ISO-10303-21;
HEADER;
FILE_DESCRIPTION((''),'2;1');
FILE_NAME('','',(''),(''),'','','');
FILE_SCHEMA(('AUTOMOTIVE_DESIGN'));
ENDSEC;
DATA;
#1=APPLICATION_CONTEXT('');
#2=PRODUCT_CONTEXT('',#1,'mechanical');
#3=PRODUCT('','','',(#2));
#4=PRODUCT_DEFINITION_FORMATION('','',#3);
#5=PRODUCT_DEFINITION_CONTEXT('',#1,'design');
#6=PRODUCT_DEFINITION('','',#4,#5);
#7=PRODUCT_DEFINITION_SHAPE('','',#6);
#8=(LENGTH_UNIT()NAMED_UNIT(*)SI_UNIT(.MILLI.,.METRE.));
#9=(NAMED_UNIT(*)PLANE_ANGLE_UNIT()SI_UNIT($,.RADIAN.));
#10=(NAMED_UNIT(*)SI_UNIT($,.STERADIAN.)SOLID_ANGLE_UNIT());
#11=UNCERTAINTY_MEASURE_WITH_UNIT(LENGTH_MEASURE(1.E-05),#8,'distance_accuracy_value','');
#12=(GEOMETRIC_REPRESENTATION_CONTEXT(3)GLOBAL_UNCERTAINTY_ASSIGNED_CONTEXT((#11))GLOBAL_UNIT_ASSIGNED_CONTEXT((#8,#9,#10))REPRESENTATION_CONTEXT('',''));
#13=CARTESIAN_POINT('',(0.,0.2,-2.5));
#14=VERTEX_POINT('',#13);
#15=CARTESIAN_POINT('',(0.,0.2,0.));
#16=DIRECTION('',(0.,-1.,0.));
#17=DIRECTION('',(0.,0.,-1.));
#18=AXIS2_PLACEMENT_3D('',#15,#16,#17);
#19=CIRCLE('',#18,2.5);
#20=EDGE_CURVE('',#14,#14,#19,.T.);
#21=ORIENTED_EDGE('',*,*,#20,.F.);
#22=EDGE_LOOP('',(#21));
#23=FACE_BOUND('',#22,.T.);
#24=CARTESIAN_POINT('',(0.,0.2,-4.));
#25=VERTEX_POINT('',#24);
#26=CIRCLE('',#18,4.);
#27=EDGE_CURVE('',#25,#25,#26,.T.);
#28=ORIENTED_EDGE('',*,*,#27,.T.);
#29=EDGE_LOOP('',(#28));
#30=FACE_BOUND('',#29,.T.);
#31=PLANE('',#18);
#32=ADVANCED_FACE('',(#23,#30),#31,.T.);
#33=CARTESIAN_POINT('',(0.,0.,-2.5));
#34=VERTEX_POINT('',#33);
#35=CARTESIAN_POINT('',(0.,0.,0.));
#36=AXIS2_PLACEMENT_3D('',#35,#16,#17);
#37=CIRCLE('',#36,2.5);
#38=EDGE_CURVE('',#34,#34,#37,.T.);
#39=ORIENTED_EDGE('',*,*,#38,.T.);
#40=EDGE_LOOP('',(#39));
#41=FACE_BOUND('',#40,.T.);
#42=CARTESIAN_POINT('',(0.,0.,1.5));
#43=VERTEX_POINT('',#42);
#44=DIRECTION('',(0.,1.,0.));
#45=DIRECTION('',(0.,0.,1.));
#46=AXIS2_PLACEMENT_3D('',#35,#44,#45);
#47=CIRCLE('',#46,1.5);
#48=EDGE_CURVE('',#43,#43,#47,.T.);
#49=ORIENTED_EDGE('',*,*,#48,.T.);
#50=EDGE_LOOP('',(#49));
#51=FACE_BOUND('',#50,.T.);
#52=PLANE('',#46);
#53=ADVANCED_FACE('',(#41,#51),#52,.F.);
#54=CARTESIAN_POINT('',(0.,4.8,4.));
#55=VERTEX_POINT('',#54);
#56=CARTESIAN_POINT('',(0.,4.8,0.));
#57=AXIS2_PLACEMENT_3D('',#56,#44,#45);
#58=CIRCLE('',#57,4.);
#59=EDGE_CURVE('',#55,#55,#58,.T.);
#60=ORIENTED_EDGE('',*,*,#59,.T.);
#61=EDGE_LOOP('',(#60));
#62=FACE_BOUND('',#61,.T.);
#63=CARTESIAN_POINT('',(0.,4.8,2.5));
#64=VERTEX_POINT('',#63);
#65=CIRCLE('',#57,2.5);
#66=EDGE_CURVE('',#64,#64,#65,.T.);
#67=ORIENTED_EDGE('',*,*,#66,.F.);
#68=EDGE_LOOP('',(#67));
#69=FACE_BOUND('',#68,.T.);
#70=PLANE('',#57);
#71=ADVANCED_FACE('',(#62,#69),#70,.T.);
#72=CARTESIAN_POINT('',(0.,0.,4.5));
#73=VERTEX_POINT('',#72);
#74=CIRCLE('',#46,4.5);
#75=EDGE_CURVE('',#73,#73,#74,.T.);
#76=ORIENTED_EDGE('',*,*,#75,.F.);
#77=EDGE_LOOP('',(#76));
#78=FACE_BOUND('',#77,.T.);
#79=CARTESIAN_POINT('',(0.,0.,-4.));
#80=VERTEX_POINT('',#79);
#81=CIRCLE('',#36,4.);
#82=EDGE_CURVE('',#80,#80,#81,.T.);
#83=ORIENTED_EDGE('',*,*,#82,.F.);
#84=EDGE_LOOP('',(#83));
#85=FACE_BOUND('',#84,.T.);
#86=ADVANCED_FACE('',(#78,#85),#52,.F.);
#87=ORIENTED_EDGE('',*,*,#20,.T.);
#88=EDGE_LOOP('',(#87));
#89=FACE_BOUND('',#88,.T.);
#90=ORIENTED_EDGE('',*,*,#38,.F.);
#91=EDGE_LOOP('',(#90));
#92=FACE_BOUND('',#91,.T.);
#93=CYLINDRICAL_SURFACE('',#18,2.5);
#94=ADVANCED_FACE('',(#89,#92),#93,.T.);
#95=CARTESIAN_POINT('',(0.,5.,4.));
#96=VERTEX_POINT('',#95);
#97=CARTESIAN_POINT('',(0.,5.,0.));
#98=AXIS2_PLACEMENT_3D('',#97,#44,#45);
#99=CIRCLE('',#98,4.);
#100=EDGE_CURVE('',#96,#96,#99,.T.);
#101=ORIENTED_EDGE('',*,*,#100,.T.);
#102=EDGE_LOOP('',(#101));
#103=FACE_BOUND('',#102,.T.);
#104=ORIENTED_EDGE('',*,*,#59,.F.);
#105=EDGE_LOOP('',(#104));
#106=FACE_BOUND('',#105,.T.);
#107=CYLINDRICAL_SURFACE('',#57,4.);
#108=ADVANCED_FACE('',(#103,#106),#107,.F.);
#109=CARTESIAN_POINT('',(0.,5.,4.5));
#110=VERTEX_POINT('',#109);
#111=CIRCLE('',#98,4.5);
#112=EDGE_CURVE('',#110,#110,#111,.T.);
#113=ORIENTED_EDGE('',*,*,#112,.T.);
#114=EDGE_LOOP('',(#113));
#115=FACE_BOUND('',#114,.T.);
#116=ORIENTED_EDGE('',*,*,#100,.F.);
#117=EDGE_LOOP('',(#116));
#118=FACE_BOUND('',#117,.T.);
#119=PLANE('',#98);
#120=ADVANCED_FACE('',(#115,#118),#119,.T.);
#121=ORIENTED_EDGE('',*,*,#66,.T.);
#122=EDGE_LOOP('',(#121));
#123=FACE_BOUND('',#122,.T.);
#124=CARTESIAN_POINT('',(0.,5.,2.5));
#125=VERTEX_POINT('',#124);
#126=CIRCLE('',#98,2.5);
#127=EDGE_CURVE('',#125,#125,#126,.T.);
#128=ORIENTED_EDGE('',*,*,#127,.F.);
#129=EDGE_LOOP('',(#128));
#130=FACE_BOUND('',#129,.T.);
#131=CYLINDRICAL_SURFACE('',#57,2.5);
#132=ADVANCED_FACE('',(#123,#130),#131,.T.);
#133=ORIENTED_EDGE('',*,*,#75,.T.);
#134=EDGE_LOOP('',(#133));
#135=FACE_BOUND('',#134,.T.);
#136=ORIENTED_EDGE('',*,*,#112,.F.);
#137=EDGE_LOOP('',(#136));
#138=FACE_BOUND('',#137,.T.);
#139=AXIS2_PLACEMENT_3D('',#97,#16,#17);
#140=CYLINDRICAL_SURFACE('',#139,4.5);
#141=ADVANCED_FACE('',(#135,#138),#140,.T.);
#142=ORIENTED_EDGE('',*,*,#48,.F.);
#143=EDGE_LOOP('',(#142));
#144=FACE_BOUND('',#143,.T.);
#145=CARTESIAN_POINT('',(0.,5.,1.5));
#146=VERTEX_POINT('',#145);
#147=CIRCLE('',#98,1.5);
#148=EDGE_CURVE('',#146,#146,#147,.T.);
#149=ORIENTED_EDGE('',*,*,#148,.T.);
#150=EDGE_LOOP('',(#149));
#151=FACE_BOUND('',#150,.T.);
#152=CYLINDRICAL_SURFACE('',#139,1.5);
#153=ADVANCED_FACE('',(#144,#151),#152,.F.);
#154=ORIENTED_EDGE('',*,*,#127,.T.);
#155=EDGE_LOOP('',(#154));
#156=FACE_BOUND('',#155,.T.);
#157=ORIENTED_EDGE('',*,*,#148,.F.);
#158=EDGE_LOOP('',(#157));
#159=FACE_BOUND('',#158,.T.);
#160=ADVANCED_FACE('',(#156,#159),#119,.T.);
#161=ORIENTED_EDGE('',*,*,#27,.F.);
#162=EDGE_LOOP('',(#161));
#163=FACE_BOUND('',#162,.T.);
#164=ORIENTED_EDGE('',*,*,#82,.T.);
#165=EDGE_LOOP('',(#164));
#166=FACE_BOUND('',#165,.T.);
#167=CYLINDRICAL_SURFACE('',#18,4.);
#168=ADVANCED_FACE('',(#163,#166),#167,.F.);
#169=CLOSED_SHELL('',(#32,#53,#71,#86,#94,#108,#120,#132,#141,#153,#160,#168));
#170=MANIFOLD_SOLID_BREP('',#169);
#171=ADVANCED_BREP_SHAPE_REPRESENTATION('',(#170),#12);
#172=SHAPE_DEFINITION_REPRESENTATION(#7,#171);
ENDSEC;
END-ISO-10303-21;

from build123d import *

# Parameters (mm, degrees)
SKETCH_1_R          = 4.5
SKETCH_1_R_2        = 1.5
EXTRUDE_1_DEPTH     = 5
SKETCH_2_R          = 4
SKETCH_2_R_2        = 2.5
CUT_EXTRUDE_1_DEPTH = 0.2
CUT_EXTRUDE_START   = -0.2
SKETCH_3_R          = 4
SKETCH_3_R_2        = 2.5
CUT_EXTRUDE_2_DEPTH = 0.2


with BuildPart() as part:
    # 草图1 → 凸台-拉伸1 (new body)
    with BuildSketch(Plane(origin=(0, 0, 0), x_dir=(1, 0, 0), z_dir=(0, 1, 0))):
        with Locations(Location((0, 0, 0), (0, 0, 270))):
            Circle(SKETCH_1_R)
        with Locations(Location((0, 0, 0), (0, 0, 270))):
            Circle(SKETCH_1_R_2, mode=Mode.SUBTRACT)
    extrude(amount=EXTRUDE_1_DEPTH)

    # 草图2 → 切除-拉伸1 (cut)
    with BuildSketch(Plane(origin=(0, 5, 0), x_dir=(1, 0, 0), z_dir=(0, 1, 0))):
        with Locations(Location((0, 0, 0), (0, 0, 270))):
            Circle(SKETCH_2_R)
        with Locations(Location((0, 0, 0), (0, 0, 270))):
            Circle(SKETCH_2_R_2, mode=Mode.SUBTRACT)
    extrude(amount=-CUT_EXTRUDE_1_DEPTH, mode=Mode.SUBTRACT)

    # 草图3 → 切除-拉伸2 (cut)
    with BuildSketch(Plane.XZ.offset(CUT_EXTRUDE_START)):
        with Locations(Location((0, 0, 0), (0, 0, 90))):
            Circle(SKETCH_3_R)
        with Locations(Location((0, 0, 0), (0, 0, 90))):
            Circle(SKETCH_3_R_2, mode=Mode.SUBTRACT)
    extrude(amount=CUT_EXTRUDE_2_DEPTH, mode=Mode.SUBTRACT)


solid = part.part
